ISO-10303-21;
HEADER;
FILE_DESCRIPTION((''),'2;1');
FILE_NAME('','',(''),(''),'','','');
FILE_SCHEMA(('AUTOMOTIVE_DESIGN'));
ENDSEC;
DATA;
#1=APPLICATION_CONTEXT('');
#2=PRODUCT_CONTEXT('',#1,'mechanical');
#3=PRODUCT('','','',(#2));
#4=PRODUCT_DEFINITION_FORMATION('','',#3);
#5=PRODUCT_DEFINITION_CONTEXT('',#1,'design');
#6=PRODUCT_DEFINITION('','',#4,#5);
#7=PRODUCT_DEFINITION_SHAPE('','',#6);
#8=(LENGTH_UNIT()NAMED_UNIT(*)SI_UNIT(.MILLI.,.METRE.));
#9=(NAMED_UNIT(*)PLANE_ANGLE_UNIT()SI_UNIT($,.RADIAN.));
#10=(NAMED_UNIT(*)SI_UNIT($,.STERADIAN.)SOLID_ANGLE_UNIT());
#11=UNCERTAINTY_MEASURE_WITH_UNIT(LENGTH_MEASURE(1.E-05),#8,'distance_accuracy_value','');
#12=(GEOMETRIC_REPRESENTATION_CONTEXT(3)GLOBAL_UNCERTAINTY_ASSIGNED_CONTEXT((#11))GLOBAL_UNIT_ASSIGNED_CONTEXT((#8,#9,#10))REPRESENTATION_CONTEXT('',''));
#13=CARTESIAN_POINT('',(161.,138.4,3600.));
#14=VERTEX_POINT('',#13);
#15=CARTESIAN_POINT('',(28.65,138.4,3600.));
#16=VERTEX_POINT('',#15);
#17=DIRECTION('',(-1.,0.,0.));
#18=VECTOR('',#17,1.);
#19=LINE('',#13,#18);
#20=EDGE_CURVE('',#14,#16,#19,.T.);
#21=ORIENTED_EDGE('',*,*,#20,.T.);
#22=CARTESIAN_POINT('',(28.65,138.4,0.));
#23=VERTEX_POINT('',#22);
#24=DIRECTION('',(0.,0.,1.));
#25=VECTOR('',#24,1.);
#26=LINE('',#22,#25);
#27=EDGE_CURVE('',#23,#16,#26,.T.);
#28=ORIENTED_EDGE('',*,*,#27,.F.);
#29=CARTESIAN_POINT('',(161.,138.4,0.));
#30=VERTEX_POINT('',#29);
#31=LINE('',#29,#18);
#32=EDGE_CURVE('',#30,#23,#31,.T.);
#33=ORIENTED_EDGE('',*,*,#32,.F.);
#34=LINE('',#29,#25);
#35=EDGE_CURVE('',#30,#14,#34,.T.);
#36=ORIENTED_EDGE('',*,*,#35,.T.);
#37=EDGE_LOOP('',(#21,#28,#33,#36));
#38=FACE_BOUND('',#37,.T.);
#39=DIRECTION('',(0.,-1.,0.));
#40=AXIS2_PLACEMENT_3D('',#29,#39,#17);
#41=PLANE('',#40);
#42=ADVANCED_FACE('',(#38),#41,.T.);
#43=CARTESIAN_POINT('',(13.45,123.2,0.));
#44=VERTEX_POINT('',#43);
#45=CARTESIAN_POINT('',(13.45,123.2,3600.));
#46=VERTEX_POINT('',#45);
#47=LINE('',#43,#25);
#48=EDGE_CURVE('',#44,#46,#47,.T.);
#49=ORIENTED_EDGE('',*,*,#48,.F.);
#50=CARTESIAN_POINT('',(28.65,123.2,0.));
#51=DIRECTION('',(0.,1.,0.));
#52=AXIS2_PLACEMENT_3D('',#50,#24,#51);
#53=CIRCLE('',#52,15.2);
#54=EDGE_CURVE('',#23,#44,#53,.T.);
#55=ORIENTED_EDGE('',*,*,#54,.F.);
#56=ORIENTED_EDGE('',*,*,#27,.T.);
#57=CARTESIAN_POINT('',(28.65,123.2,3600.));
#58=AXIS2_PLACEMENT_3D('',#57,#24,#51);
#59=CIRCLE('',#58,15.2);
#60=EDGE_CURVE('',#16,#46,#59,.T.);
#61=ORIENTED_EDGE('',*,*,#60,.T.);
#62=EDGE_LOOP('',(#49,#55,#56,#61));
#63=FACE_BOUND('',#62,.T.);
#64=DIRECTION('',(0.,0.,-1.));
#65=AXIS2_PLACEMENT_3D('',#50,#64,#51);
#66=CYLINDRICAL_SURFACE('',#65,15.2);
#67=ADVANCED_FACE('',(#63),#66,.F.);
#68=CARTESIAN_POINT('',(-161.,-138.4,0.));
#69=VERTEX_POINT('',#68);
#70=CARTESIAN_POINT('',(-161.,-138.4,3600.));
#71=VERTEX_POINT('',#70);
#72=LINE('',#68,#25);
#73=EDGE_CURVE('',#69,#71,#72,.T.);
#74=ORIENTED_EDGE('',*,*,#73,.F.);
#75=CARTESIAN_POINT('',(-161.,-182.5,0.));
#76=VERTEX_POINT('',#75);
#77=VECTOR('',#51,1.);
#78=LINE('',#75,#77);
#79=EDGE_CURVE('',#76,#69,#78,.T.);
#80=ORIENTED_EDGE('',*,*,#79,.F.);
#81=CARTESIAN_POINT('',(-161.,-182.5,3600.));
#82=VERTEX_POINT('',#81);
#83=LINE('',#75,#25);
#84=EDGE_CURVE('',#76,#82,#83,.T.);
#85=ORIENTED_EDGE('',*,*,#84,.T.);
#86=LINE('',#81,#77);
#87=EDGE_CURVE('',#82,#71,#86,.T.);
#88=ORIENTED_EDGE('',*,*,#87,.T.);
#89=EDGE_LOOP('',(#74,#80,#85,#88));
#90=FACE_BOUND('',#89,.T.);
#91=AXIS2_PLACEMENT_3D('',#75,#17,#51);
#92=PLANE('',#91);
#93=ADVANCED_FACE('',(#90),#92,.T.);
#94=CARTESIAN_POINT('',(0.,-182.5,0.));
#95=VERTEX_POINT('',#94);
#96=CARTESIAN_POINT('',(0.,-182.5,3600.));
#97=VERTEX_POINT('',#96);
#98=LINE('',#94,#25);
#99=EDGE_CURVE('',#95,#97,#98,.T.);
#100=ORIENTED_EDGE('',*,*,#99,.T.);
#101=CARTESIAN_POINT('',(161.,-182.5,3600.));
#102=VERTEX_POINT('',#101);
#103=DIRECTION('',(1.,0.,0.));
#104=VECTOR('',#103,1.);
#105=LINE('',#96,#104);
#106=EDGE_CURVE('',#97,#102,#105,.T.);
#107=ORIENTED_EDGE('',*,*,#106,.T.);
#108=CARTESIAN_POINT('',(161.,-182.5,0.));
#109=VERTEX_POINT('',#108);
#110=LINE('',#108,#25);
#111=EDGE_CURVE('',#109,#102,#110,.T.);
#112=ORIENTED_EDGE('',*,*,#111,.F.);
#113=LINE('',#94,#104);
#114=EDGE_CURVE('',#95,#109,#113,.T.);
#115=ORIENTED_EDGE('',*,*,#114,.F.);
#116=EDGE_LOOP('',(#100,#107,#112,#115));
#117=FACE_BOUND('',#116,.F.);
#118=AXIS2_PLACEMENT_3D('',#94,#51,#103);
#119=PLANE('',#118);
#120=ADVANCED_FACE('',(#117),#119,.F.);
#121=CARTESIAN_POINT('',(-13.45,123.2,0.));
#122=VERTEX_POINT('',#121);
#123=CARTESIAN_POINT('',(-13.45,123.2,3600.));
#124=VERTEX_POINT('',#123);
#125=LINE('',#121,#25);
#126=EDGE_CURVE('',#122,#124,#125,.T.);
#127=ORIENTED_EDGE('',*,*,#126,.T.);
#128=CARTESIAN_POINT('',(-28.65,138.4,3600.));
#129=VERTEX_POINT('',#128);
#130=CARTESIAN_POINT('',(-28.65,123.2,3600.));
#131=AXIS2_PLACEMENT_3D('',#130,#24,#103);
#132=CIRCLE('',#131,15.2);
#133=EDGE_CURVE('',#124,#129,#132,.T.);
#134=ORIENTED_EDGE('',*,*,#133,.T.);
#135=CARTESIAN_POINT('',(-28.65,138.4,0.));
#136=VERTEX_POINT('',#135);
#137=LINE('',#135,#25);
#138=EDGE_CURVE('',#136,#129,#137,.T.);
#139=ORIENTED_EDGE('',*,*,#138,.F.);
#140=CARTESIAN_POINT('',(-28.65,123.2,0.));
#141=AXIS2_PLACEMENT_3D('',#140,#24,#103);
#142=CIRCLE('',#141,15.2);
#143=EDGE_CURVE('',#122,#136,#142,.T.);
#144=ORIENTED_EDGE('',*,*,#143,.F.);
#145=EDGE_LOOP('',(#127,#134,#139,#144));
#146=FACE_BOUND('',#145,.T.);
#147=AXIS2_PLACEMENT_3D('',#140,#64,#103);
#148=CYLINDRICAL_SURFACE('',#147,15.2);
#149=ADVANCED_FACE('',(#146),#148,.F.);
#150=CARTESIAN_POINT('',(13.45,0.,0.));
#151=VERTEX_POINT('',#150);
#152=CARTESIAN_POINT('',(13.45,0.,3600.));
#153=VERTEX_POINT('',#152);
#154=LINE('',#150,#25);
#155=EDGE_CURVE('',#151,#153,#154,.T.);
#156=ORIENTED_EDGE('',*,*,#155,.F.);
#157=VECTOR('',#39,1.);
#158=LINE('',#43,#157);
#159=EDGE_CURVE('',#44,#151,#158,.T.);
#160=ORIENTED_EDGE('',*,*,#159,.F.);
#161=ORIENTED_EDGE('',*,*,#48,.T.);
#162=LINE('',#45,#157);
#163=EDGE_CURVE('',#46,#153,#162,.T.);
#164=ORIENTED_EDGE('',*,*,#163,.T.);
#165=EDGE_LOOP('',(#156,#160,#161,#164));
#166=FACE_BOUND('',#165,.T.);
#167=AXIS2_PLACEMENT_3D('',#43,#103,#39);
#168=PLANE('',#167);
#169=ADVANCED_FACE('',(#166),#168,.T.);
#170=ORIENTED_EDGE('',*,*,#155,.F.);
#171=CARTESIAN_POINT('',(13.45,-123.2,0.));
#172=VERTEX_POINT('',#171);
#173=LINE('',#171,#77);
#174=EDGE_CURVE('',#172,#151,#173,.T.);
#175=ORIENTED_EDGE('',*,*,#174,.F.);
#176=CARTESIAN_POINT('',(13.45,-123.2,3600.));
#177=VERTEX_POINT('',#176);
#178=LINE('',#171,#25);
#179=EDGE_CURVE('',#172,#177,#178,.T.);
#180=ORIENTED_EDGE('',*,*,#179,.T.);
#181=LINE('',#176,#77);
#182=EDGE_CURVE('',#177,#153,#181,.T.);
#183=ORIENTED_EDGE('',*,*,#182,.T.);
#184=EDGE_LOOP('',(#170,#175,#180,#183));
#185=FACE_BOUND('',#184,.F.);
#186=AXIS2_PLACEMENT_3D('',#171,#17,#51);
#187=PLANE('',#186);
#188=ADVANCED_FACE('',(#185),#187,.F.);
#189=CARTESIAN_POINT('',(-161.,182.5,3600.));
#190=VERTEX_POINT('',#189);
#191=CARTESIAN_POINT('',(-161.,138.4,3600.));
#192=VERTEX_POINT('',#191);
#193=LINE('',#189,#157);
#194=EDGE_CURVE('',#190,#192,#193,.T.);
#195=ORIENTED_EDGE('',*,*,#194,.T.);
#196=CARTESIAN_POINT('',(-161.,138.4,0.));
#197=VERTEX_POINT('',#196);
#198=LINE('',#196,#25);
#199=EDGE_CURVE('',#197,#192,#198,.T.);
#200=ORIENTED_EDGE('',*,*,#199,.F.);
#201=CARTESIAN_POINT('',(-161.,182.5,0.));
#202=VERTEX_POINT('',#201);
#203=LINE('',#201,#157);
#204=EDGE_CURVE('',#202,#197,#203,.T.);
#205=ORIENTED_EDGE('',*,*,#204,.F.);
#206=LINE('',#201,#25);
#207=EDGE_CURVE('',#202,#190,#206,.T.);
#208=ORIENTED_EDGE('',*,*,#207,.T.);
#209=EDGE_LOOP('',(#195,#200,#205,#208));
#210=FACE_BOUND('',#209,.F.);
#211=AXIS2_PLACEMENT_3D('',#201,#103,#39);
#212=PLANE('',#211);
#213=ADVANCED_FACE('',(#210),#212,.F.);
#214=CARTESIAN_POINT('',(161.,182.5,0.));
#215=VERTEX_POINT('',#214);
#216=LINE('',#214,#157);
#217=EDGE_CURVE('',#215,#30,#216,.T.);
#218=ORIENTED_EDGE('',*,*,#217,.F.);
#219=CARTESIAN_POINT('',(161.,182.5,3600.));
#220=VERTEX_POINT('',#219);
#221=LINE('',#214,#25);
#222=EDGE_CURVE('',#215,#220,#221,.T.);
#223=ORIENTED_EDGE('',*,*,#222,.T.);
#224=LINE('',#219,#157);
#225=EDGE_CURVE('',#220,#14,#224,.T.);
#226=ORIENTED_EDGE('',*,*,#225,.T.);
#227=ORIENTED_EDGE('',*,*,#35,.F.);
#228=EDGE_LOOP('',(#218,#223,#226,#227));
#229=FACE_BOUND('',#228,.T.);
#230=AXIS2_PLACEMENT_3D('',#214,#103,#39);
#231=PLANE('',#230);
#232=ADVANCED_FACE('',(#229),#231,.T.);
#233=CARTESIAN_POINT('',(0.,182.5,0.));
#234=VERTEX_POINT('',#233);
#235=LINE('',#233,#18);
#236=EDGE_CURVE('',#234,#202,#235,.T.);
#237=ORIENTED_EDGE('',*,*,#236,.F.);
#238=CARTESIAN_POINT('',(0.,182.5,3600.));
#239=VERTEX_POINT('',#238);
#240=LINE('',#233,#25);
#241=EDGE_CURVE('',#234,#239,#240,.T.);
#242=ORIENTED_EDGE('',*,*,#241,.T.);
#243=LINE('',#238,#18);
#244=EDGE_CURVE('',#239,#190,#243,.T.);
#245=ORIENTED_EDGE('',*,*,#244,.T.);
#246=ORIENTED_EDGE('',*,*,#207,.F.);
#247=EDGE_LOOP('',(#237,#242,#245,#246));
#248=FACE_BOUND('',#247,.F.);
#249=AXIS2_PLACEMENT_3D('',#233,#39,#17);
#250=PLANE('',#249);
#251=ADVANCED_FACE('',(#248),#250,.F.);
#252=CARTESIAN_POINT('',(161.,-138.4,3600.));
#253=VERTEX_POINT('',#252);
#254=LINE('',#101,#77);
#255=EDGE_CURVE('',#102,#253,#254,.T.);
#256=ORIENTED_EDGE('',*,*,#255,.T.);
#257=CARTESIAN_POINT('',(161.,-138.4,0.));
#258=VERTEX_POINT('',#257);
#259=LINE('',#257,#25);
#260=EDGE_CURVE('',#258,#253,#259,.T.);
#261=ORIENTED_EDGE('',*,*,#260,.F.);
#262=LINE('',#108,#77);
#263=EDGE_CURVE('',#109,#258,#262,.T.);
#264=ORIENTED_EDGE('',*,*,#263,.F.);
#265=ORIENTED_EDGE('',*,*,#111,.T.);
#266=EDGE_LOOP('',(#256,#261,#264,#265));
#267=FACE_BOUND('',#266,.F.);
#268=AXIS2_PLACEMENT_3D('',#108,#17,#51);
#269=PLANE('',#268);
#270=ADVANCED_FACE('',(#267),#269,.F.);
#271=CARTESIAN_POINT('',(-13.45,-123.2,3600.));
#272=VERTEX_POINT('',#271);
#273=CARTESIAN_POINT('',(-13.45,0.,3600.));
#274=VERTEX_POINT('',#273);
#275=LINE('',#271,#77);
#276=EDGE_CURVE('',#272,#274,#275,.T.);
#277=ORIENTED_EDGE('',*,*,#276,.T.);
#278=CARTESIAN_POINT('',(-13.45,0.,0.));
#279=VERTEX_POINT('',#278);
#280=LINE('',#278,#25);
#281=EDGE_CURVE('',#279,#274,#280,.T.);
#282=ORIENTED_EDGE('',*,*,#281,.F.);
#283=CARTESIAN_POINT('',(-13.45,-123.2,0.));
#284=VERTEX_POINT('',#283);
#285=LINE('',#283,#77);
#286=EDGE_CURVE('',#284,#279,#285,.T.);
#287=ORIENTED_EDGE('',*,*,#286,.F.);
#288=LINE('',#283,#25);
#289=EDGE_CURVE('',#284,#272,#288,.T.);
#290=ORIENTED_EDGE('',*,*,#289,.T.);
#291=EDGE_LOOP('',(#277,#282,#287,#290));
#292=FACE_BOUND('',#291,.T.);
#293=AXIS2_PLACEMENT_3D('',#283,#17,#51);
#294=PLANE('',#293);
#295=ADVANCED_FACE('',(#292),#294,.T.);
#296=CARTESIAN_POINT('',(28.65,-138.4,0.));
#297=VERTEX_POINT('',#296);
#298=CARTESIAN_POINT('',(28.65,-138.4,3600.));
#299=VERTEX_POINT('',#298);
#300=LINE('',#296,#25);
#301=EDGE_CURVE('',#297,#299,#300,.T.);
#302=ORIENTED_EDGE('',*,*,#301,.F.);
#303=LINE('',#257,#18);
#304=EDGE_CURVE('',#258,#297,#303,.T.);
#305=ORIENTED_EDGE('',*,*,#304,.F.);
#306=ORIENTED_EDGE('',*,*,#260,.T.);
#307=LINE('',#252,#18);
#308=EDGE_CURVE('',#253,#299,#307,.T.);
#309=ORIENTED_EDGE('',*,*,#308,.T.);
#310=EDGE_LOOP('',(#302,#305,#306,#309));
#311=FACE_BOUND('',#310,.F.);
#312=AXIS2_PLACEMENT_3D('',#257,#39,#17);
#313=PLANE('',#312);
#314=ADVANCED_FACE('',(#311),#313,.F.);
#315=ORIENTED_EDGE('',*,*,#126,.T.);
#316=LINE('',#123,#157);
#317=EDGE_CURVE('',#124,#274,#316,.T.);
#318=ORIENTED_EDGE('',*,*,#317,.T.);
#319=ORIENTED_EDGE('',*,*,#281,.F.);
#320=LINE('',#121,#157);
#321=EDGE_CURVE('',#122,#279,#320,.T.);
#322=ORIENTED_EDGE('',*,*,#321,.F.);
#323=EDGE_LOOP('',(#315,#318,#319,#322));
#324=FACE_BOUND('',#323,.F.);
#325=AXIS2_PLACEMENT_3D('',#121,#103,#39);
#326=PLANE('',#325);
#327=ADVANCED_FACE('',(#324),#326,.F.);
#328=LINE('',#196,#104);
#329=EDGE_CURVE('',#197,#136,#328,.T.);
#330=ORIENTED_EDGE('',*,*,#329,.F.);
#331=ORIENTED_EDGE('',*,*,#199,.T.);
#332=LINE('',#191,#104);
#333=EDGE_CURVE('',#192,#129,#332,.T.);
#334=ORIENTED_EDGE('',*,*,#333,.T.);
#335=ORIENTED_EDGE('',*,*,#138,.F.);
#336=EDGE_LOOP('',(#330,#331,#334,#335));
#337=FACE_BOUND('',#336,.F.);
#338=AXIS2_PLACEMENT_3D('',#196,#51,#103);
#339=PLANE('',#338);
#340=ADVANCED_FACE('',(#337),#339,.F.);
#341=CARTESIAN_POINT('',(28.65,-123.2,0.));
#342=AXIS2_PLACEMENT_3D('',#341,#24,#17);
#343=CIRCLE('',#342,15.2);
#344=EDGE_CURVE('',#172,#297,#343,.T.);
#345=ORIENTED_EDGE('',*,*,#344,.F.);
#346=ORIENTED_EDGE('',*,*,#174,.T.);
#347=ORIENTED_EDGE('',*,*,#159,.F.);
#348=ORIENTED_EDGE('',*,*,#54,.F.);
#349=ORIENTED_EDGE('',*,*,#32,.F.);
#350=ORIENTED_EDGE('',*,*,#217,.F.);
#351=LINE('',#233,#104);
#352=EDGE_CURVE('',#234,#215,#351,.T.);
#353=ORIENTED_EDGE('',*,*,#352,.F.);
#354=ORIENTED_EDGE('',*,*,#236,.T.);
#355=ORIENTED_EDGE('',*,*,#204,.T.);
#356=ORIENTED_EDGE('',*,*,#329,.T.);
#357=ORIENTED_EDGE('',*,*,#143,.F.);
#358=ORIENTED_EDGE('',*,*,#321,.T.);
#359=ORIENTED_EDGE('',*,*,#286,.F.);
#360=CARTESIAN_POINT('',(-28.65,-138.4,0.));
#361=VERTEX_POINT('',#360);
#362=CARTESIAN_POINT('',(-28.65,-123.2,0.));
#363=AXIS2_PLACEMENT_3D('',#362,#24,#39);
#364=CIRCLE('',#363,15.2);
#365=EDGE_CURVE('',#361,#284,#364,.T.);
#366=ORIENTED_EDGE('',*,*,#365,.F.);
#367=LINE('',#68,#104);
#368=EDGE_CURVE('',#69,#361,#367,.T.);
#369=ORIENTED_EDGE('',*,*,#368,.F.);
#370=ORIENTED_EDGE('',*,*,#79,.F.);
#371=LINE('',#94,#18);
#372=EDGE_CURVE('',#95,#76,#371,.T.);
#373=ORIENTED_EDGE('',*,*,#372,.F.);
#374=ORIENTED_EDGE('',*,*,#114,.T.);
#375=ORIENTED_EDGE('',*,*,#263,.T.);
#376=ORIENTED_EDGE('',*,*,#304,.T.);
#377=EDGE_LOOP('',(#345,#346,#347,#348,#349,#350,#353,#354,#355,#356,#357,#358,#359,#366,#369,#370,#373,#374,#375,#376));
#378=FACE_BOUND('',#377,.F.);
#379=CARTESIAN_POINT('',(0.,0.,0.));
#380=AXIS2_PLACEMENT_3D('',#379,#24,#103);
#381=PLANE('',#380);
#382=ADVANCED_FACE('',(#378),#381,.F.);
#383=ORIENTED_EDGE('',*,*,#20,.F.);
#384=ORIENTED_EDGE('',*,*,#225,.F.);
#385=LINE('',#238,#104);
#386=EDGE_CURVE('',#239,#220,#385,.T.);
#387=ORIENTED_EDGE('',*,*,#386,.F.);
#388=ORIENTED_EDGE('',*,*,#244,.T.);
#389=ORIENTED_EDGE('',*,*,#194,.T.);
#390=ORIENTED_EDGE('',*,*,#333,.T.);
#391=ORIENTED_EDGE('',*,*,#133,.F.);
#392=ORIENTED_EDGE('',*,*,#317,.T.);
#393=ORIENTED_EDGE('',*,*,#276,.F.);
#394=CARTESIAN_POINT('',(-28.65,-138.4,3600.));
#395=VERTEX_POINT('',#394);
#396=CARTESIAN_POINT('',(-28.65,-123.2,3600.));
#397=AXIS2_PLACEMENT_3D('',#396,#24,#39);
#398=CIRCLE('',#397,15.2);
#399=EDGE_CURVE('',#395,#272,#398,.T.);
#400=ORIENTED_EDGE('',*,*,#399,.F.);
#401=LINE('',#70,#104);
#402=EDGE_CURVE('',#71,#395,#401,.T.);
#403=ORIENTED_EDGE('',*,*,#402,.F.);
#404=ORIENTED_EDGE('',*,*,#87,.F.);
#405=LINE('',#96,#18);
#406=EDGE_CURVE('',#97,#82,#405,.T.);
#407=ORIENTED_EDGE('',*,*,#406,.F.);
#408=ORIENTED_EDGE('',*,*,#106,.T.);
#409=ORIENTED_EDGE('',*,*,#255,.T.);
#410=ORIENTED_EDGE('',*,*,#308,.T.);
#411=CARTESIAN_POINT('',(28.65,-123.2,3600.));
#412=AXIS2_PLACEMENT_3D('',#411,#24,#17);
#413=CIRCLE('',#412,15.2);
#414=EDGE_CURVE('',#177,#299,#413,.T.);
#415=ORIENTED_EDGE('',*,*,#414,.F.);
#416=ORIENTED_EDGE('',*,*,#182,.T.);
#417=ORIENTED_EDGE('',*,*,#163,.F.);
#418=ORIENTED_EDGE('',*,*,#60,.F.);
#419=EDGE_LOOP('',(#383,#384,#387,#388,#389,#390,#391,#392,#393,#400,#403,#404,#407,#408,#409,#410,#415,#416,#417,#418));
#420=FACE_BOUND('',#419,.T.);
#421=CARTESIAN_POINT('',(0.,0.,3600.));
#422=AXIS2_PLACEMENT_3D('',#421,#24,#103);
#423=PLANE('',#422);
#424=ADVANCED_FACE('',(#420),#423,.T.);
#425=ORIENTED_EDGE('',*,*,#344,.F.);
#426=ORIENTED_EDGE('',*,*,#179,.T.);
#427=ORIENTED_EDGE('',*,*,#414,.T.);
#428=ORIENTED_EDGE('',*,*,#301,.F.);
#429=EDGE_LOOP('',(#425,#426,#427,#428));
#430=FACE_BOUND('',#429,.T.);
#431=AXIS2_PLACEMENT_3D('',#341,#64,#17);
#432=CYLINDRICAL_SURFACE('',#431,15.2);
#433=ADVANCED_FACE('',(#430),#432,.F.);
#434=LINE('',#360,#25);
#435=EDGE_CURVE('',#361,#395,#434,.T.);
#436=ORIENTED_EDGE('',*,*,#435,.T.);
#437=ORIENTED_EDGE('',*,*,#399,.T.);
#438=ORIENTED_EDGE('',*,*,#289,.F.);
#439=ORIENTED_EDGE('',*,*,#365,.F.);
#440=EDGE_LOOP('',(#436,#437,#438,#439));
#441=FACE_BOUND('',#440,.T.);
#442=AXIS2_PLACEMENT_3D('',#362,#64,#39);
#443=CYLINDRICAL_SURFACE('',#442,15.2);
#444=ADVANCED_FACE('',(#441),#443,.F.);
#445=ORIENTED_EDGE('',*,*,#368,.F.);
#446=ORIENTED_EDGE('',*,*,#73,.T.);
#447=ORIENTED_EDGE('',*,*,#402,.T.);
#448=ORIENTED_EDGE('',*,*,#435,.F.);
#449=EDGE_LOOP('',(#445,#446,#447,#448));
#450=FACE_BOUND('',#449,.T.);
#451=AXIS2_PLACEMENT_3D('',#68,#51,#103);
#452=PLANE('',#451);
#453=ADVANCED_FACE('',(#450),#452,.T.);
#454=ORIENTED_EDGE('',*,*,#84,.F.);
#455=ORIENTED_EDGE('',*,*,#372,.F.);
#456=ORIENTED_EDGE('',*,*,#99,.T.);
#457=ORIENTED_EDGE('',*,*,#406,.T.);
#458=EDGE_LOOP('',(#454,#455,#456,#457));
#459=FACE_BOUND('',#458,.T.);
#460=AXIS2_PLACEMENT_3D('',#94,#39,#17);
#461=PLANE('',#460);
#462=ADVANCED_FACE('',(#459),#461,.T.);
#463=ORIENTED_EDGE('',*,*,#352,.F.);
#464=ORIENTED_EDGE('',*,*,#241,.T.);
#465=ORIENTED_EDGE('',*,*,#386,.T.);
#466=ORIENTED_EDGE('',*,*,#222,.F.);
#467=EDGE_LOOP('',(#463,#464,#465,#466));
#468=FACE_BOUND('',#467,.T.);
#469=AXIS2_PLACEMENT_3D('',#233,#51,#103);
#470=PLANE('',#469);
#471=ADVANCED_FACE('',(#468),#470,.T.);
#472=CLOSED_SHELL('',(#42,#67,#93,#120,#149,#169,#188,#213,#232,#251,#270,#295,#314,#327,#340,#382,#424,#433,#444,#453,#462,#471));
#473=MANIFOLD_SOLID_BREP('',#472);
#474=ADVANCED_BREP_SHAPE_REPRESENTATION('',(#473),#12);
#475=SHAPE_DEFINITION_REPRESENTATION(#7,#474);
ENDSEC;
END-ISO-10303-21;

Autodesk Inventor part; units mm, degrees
ref_plane "YZ Plane" through (0, 0, 0) normal (1, 0, 0) x (0, 1, 0)
ref_plane "Start plane" through (0, 0, 0) normal (0, 0, 1) x (1, 0, 0)
ref_plane "End plane" through (0, 0, 3600) normal (0, 0, 1) x (1, 0, 0)
sketch "Sketch" plane through (0, 0, 0) normal (0, 0, 1) x (1, 0, 0)
  line L0 (-161, -182.5) -> (-161, -138.4)
  line L1 (-161, -138.4) -> (-28.65, -138.4)
  line L2 (-13.45, -123.2) -> (-13.45, 0)
  line L3 (-13.45, 0) -> (0, 0) construction
  line L4 (0, 0) -> (0, -182.5) construction
  line L5 (0, -182.5) -> (-161, -182.5)
  line L6 (-60, 0) -> (80, 0) construction
  line L7 (0, -60) -> (0, 80) construction
  line L8 (161, -182.5) -> (161, -138.4)
  line L9 (161, -138.4) -> (28.65, -138.4)
  line L10 (13.45, -123.2) -> (13.45, 0)
  line L11 (13.45, 0) -> (0, 0) construction
  line L12 (0, -182.5) -> (161, -182.5)
  line L13 (-161, 182.5) -> (-161, 138.4)
  line L14 (-161, 138.4) -> (-28.65, 138.4)
  line L15 (-13.45, 123.2) -> (-13.45, 0)
  line L16 (0, 182.5) -> (-161, 182.5)
  line L17 (161, 182.5) -> (161, 138.4)
  line L18 (161, 138.4) -> (28.65, 138.4)
  line L19 (0, 182.5) -> (161, 182.5)
  line L20 (13.45, 123.2) -> (13.45, 0)
  arc A0 (-13.45, 123.2) -> (-28.65, 138.4) centre (-28.65, 123.2) ccw
  arc A1 (28.65, 138.4) -> (13.45, 123.2) centre (28.65, 123.2) ccw
  arc A2 (13.45, -123.2) -> (28.65, -138.4) centre (28.65, -123.2) ccw
  arc A3 (-28.65, -138.4) -> (-13.45, -123.2) centre (-28.65, -123.2) ccw
  line L21 (0, 108) -> (0, -88) construction
  line L22 (-88, 0) -> (108, 0) construction
  point P0 (-13.45, -138.4)
  point P1 (13.45, -138.4)
  point P2 (-13.45, 138.4)
  point P3 (13.45, 138.4)
  dimension "d1" = 182.5
  dimension "d2" = 44.1
  dimension "d3" = 161
  dimension "d4" = 13.45
  dimension "d10" = 15.2
extrude "Body" add sketch "Sketch" along normal up to surface (3600 mm away) from surface at 0
sketch "Sketch4" plane through (0, 0, 0) normal (0, 0, 1) x (1, 0, 0)
  line L0 (0, 0) -> (10, 0)
ref_plane "Work Plane3" through (0, 0, 0) normal (0, -1, 0) x (1, 0, 0)
sketch "Sketch5" plane through (0, 0, 0) normal (0, -1, 0) x (1, 0, 0)
  line L0 (-2, 0) -> (12, 0) projected
  line L1 (-2, 3600) -> (12, 3600) projected
  dimension "d14" = 3600
equation "\"d1\" = 0.5 * G_H"
equation "\"d2\" = G_T1"
equation "\"d3\" = 0.5 * G_W"
equation "\"d4\" = 0.5 * G_T"
equation "\"d10\" = G_IR"
equation "\"d5\" = G_L"
equation "\"G_W\" = 322"
equation "\"G_H\" = 365"
equation "\"G_T\" = 26.9"
equation "\"G_T1\" = 44.1"
equation "\"G_IR\" = 15.2"
equation "\"G_L\" = d14"
equation "\"G_OFFSET_START\" = 0"
equation "\"G_OFFSET_END\" = 0"
properties part number "AS 3679 - 310 UC - 283 - 3600" material "Steel, Mild"
